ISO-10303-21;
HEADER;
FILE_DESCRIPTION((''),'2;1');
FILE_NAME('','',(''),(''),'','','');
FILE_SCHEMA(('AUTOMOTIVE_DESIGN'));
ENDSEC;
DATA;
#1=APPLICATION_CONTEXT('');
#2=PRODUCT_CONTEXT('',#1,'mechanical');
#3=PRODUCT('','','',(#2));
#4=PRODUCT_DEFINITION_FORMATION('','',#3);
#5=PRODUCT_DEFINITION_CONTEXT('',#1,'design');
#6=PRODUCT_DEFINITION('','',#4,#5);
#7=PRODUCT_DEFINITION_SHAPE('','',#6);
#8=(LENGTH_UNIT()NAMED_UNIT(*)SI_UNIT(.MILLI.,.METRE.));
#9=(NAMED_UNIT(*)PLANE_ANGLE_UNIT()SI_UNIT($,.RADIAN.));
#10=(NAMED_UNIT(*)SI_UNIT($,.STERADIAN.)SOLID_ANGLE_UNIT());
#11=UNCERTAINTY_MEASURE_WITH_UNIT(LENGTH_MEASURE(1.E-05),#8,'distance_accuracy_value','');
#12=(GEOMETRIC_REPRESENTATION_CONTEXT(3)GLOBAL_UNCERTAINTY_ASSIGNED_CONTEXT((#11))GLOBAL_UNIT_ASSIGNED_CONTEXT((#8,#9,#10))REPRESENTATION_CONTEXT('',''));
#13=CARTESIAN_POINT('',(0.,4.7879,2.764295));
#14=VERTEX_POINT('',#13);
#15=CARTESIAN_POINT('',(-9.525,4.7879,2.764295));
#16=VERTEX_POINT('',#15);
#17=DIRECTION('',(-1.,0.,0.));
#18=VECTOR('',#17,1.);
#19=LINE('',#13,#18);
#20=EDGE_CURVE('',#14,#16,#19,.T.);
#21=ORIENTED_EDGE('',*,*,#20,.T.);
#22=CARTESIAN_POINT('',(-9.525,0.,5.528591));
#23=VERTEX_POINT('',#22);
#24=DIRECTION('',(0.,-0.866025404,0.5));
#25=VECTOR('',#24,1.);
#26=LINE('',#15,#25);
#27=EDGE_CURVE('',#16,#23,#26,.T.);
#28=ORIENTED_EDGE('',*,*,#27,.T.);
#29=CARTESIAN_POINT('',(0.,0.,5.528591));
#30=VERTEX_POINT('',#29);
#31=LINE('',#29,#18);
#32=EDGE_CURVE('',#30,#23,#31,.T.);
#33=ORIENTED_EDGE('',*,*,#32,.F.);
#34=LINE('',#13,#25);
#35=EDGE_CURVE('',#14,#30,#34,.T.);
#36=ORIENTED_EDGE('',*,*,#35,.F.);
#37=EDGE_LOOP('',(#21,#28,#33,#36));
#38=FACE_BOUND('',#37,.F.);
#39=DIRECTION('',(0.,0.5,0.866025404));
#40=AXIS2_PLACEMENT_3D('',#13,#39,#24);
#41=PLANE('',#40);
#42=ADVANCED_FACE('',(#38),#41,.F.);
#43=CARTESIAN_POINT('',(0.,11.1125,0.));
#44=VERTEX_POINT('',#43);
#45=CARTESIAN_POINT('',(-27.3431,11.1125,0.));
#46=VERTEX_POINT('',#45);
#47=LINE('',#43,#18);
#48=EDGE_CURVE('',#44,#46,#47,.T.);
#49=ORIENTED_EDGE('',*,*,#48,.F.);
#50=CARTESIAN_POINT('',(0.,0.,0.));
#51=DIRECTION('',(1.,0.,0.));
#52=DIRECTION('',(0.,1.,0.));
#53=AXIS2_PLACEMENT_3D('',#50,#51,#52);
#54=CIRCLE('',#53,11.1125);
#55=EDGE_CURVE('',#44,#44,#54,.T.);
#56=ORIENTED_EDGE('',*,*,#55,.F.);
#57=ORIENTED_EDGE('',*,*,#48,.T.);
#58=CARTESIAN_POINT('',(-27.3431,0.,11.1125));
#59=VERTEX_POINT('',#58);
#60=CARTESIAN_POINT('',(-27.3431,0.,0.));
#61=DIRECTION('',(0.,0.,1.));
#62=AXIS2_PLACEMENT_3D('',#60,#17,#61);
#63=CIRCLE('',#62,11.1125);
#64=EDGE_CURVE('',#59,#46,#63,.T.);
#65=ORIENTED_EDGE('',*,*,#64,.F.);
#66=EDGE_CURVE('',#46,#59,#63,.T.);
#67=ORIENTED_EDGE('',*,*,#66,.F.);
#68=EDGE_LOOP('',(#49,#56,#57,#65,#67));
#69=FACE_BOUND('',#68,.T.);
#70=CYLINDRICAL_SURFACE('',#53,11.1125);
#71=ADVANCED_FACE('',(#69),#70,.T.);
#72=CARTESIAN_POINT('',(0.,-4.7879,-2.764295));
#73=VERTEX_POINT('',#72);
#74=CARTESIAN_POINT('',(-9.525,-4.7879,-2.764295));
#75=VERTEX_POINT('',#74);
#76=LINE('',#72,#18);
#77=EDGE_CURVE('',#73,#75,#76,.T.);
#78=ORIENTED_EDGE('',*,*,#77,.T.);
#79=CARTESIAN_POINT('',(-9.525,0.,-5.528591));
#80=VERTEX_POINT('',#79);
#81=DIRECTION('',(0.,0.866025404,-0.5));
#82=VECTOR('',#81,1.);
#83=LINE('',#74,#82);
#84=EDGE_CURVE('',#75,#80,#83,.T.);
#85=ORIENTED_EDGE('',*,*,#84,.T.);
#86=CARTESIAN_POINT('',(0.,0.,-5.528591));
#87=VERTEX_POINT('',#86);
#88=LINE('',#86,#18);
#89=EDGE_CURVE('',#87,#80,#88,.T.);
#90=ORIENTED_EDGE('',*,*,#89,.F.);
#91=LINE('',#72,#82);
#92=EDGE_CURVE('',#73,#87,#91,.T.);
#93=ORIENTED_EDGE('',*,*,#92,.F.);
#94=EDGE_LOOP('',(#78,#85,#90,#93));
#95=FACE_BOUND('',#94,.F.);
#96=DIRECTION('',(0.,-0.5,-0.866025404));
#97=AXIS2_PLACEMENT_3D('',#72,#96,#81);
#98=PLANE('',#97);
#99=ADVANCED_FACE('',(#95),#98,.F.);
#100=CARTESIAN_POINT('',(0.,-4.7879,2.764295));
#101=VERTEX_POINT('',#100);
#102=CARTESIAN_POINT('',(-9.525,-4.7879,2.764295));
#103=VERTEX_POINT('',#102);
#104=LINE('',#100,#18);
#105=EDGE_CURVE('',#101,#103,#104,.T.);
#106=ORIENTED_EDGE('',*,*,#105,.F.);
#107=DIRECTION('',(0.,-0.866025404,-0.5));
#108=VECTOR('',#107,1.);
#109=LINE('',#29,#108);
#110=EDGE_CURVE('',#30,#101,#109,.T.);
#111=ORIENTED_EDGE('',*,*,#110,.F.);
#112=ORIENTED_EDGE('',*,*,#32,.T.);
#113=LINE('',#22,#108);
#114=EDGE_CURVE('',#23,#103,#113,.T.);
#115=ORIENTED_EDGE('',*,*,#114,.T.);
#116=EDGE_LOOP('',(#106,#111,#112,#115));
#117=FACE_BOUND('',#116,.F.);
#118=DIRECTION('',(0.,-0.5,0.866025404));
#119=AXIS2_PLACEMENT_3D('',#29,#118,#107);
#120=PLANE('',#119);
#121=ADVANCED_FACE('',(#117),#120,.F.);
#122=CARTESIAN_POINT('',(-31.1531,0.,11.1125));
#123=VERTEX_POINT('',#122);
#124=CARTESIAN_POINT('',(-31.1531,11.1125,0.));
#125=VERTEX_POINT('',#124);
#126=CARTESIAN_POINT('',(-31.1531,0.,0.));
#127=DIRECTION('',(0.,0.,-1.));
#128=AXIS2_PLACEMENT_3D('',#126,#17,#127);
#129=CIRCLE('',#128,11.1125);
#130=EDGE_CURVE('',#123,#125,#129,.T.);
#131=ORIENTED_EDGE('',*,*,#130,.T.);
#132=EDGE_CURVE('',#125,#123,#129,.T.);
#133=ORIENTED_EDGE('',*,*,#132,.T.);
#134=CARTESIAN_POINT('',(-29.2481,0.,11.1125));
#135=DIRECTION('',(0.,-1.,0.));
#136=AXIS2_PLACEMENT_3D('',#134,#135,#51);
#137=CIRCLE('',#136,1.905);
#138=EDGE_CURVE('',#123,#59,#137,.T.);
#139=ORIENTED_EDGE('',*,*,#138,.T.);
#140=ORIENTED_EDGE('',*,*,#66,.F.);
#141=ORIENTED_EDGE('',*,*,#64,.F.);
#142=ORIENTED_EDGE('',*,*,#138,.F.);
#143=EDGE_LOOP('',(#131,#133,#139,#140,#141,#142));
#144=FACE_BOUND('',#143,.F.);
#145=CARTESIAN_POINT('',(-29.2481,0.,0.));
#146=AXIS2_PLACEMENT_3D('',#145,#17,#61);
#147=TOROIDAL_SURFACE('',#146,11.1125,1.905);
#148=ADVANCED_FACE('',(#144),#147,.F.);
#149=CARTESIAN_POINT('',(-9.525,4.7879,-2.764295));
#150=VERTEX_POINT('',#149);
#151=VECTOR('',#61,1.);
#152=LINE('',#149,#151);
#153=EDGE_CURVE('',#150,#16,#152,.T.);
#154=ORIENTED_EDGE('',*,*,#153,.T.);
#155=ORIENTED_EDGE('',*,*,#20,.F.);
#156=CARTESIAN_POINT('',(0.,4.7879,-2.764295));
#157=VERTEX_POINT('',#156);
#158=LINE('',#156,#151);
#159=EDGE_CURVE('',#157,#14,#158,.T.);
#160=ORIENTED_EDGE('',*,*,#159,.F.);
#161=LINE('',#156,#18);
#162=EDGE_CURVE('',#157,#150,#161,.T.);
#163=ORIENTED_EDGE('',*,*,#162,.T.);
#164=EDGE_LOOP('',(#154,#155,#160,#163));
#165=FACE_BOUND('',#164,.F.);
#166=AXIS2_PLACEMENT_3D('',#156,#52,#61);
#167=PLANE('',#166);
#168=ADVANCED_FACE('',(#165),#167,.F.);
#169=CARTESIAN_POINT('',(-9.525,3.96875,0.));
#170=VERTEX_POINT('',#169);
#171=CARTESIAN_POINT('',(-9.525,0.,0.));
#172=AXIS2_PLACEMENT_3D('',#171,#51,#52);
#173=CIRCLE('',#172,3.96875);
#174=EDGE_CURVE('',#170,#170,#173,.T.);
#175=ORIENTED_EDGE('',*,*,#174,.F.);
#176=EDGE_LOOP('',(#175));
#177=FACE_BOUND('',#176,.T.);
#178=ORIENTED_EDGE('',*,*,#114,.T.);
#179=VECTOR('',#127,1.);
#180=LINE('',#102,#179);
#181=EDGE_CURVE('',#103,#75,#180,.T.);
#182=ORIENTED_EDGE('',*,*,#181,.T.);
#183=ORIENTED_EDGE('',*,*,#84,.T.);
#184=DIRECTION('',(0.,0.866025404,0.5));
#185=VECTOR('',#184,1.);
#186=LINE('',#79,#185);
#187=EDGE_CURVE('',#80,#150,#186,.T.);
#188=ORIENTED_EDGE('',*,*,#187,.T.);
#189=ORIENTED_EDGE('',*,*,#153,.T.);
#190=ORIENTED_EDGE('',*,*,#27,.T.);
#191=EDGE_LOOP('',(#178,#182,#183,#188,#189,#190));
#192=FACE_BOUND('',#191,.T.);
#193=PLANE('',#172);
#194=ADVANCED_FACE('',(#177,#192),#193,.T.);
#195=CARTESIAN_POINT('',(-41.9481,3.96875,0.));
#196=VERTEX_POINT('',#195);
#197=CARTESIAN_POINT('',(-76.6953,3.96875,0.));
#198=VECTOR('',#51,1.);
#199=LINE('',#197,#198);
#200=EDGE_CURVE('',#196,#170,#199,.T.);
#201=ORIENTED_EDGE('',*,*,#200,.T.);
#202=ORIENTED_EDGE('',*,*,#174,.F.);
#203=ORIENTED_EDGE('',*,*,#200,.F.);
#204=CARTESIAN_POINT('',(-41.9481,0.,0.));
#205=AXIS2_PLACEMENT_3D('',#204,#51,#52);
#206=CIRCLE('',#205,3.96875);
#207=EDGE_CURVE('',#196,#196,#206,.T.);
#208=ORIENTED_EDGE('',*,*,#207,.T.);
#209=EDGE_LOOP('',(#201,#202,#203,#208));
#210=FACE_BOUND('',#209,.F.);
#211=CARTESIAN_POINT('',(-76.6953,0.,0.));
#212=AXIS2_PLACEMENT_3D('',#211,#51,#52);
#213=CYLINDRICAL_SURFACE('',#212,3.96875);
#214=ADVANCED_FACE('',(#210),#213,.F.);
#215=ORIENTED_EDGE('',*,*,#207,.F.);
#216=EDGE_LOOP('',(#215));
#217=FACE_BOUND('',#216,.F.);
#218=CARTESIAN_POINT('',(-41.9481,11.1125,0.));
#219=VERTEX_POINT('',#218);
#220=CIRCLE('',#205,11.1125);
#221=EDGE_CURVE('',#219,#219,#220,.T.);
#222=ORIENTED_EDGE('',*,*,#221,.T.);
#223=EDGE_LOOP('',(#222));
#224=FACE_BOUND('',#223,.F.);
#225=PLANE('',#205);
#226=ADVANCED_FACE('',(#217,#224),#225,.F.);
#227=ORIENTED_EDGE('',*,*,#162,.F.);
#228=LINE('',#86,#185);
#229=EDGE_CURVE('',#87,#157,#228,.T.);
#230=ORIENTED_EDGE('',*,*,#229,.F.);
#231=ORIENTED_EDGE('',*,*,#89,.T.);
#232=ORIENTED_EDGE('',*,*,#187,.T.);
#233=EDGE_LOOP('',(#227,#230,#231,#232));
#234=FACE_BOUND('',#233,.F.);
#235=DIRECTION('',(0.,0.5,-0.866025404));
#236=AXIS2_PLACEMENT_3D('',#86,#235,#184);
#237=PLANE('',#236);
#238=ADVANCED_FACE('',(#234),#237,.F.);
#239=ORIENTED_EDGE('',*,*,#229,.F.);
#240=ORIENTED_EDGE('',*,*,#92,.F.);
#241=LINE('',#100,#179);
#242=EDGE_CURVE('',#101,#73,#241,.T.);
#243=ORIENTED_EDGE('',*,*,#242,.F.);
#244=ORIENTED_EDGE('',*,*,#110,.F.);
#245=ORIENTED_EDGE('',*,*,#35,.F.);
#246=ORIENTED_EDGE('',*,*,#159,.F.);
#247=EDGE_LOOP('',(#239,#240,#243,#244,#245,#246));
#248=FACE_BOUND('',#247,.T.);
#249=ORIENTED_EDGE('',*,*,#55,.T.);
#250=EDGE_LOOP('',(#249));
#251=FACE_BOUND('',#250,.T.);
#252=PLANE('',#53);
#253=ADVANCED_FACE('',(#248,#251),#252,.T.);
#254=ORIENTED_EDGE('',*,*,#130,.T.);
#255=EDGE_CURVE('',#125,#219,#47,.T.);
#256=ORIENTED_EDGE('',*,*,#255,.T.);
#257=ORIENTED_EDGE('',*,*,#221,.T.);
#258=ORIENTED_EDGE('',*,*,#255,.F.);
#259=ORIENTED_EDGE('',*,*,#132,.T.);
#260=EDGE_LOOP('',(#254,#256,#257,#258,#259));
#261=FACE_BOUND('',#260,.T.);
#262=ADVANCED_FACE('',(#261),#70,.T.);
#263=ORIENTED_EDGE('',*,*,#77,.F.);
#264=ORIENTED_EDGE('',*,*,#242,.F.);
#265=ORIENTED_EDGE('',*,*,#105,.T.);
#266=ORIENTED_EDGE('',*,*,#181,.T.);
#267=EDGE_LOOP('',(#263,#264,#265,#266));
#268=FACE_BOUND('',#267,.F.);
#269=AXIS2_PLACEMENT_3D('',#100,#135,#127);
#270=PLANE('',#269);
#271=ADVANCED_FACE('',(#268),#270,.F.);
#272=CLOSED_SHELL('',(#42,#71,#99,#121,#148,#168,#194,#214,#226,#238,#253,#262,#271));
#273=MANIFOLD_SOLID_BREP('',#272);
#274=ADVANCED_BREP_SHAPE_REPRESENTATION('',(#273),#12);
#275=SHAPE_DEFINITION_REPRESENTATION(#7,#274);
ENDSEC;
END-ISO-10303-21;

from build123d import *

# Parameters (mm, degrees)
F0_R     = 11.1125
F1_DEPTH = 41.9481
F3_DEPTH = 9.525
F5_D     = 7.9375
F5_DEPTH = 34.7472
F5_TIP   = 2.3846655818
F6_R     = 1.905


with BuildPart() as f1:
    # F0 (on Right) → F1 (new body)
    with BuildSketch(Plane.YZ):
        Circle(F0_R)
    extrude(amount=-F1_DEPTH)

    # F2 (on Right) → F3 (cut)
    with BuildSketch(Plane.YZ):
        Polygon((4.7879, -2.7642953539), (4.7879, 2.7642953539), (0, 5.5285907077), (-4.7879, 2.7642953539), (-4.7879, -2.7642953539), (0, -5.5285907077), align=None)
    extrude(amount=-F3_DEPTH, mode=Mode.SUBTRACT)

    # F5
    with Locations(Plane(origin=(-41.9481, 0, 0), x_dir=(0, -1, 0), z_dir=(-1, 0, 0))):
        with Locations((0, 0)):
            Hole(F5_D / 2, depth=F5_DEPTH)
            with Locations((0, 0, -(F5_DEPTH + F5_TIP / 2))):  # 118° drill point
                Cone(0, F5_D / 2, F5_TIP, mode=Mode.SUBTRACT)

    # F6 (on Front) → F7 (revolve, cut)
    with BuildSketch(Plane.XZ):
        with Locations((-29.2481, 11.1125)):
            Circle(F6_R)
    revolve(axis=Axis((-32.1425274014, 0, 0), (-1, 0, 0)), mode=Mode.SUBTRACT)


solid = f1.part
